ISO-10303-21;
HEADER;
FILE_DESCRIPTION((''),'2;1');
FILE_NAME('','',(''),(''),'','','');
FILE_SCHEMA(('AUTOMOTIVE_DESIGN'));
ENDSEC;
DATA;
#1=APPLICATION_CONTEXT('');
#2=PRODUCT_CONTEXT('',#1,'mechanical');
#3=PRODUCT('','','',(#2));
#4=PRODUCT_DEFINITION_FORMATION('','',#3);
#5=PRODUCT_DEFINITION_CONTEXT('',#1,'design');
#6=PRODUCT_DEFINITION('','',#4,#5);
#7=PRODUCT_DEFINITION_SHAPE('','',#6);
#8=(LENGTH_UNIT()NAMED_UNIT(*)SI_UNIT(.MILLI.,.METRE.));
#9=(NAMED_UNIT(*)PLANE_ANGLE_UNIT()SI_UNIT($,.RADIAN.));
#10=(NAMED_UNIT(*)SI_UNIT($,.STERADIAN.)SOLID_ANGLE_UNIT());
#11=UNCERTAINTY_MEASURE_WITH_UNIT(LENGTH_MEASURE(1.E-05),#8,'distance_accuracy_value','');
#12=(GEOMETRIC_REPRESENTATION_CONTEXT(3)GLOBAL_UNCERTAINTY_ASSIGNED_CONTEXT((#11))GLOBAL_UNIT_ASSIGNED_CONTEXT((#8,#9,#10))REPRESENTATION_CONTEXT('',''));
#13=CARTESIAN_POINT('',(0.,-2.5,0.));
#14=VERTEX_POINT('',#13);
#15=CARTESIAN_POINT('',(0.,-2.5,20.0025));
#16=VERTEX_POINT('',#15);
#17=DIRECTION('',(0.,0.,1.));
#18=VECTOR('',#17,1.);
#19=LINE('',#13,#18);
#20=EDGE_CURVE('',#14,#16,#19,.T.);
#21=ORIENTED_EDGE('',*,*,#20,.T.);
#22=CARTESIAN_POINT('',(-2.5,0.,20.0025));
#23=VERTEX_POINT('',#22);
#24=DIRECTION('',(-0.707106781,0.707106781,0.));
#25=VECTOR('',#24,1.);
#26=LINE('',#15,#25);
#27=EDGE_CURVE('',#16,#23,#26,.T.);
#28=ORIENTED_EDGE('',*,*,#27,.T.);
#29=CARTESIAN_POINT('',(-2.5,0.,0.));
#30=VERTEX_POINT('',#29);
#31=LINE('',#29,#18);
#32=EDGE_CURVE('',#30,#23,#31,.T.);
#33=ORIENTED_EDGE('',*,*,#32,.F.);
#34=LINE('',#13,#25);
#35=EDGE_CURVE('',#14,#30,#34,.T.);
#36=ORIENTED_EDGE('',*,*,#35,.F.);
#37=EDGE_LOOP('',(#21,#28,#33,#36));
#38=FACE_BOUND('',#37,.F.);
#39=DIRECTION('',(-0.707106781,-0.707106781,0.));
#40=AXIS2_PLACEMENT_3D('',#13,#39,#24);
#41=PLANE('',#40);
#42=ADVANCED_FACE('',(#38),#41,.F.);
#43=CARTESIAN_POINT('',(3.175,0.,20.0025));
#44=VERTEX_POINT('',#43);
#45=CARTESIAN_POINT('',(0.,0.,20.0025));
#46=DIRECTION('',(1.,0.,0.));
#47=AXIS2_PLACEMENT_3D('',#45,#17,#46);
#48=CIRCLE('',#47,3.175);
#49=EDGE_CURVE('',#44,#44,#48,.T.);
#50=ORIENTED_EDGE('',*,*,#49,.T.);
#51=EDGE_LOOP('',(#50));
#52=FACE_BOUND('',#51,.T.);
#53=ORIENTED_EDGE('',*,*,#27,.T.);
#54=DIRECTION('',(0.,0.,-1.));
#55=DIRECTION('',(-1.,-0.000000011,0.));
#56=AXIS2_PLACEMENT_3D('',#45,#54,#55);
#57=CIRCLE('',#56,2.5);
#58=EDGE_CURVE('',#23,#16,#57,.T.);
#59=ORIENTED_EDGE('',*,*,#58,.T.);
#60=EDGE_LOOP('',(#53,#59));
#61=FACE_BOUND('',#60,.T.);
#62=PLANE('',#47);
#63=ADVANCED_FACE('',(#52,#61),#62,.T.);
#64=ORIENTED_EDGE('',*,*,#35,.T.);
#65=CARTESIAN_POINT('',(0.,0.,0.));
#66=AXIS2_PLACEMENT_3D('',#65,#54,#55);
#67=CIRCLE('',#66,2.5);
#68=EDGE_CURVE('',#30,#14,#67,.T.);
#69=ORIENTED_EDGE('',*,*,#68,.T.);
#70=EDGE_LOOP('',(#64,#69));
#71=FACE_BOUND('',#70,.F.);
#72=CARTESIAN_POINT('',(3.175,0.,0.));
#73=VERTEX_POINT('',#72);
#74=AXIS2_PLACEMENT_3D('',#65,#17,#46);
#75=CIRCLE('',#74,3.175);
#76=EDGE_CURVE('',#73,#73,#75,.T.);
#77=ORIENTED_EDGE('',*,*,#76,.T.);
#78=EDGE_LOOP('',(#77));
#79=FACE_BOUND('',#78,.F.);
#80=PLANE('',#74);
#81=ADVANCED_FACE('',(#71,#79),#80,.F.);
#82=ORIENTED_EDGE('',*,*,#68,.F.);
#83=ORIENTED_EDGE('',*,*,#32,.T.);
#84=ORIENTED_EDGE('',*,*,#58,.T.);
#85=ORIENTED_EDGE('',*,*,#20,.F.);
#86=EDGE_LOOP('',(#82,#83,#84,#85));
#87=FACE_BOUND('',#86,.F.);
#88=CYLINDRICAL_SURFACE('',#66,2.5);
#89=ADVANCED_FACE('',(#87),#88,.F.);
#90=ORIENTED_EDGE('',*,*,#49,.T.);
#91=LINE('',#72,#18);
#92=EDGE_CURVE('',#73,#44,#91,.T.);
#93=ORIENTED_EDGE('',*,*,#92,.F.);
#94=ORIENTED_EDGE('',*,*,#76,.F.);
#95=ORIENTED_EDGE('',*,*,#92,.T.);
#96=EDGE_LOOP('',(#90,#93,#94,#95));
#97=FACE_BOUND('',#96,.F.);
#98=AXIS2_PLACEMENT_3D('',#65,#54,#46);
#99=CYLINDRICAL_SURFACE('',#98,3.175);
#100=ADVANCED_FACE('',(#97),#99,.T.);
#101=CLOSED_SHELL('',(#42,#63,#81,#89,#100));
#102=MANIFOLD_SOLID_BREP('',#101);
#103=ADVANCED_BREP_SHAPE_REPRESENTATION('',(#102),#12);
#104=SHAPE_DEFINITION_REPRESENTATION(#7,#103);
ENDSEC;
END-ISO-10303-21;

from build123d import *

# Parameters (mm, degrees)
F0_R     = 3.175
F1_DEPTH = 20.0025


with BuildPart() as f1:
    # F0 (on Top) → F1 (new body)
    with BuildSketch(Plane.XY):
        Circle(F0_R)
        with BuildLine():
            ThreePointArc((-2.5, 0), (1.767767, 1.767767), (0, -2.5))
            Line((0, -2.5), (-2.5, 0))
        make_face(mode=Mode.SUBTRACT)
    extrude(amount=F1_DEPTH)


solid = f1.part
